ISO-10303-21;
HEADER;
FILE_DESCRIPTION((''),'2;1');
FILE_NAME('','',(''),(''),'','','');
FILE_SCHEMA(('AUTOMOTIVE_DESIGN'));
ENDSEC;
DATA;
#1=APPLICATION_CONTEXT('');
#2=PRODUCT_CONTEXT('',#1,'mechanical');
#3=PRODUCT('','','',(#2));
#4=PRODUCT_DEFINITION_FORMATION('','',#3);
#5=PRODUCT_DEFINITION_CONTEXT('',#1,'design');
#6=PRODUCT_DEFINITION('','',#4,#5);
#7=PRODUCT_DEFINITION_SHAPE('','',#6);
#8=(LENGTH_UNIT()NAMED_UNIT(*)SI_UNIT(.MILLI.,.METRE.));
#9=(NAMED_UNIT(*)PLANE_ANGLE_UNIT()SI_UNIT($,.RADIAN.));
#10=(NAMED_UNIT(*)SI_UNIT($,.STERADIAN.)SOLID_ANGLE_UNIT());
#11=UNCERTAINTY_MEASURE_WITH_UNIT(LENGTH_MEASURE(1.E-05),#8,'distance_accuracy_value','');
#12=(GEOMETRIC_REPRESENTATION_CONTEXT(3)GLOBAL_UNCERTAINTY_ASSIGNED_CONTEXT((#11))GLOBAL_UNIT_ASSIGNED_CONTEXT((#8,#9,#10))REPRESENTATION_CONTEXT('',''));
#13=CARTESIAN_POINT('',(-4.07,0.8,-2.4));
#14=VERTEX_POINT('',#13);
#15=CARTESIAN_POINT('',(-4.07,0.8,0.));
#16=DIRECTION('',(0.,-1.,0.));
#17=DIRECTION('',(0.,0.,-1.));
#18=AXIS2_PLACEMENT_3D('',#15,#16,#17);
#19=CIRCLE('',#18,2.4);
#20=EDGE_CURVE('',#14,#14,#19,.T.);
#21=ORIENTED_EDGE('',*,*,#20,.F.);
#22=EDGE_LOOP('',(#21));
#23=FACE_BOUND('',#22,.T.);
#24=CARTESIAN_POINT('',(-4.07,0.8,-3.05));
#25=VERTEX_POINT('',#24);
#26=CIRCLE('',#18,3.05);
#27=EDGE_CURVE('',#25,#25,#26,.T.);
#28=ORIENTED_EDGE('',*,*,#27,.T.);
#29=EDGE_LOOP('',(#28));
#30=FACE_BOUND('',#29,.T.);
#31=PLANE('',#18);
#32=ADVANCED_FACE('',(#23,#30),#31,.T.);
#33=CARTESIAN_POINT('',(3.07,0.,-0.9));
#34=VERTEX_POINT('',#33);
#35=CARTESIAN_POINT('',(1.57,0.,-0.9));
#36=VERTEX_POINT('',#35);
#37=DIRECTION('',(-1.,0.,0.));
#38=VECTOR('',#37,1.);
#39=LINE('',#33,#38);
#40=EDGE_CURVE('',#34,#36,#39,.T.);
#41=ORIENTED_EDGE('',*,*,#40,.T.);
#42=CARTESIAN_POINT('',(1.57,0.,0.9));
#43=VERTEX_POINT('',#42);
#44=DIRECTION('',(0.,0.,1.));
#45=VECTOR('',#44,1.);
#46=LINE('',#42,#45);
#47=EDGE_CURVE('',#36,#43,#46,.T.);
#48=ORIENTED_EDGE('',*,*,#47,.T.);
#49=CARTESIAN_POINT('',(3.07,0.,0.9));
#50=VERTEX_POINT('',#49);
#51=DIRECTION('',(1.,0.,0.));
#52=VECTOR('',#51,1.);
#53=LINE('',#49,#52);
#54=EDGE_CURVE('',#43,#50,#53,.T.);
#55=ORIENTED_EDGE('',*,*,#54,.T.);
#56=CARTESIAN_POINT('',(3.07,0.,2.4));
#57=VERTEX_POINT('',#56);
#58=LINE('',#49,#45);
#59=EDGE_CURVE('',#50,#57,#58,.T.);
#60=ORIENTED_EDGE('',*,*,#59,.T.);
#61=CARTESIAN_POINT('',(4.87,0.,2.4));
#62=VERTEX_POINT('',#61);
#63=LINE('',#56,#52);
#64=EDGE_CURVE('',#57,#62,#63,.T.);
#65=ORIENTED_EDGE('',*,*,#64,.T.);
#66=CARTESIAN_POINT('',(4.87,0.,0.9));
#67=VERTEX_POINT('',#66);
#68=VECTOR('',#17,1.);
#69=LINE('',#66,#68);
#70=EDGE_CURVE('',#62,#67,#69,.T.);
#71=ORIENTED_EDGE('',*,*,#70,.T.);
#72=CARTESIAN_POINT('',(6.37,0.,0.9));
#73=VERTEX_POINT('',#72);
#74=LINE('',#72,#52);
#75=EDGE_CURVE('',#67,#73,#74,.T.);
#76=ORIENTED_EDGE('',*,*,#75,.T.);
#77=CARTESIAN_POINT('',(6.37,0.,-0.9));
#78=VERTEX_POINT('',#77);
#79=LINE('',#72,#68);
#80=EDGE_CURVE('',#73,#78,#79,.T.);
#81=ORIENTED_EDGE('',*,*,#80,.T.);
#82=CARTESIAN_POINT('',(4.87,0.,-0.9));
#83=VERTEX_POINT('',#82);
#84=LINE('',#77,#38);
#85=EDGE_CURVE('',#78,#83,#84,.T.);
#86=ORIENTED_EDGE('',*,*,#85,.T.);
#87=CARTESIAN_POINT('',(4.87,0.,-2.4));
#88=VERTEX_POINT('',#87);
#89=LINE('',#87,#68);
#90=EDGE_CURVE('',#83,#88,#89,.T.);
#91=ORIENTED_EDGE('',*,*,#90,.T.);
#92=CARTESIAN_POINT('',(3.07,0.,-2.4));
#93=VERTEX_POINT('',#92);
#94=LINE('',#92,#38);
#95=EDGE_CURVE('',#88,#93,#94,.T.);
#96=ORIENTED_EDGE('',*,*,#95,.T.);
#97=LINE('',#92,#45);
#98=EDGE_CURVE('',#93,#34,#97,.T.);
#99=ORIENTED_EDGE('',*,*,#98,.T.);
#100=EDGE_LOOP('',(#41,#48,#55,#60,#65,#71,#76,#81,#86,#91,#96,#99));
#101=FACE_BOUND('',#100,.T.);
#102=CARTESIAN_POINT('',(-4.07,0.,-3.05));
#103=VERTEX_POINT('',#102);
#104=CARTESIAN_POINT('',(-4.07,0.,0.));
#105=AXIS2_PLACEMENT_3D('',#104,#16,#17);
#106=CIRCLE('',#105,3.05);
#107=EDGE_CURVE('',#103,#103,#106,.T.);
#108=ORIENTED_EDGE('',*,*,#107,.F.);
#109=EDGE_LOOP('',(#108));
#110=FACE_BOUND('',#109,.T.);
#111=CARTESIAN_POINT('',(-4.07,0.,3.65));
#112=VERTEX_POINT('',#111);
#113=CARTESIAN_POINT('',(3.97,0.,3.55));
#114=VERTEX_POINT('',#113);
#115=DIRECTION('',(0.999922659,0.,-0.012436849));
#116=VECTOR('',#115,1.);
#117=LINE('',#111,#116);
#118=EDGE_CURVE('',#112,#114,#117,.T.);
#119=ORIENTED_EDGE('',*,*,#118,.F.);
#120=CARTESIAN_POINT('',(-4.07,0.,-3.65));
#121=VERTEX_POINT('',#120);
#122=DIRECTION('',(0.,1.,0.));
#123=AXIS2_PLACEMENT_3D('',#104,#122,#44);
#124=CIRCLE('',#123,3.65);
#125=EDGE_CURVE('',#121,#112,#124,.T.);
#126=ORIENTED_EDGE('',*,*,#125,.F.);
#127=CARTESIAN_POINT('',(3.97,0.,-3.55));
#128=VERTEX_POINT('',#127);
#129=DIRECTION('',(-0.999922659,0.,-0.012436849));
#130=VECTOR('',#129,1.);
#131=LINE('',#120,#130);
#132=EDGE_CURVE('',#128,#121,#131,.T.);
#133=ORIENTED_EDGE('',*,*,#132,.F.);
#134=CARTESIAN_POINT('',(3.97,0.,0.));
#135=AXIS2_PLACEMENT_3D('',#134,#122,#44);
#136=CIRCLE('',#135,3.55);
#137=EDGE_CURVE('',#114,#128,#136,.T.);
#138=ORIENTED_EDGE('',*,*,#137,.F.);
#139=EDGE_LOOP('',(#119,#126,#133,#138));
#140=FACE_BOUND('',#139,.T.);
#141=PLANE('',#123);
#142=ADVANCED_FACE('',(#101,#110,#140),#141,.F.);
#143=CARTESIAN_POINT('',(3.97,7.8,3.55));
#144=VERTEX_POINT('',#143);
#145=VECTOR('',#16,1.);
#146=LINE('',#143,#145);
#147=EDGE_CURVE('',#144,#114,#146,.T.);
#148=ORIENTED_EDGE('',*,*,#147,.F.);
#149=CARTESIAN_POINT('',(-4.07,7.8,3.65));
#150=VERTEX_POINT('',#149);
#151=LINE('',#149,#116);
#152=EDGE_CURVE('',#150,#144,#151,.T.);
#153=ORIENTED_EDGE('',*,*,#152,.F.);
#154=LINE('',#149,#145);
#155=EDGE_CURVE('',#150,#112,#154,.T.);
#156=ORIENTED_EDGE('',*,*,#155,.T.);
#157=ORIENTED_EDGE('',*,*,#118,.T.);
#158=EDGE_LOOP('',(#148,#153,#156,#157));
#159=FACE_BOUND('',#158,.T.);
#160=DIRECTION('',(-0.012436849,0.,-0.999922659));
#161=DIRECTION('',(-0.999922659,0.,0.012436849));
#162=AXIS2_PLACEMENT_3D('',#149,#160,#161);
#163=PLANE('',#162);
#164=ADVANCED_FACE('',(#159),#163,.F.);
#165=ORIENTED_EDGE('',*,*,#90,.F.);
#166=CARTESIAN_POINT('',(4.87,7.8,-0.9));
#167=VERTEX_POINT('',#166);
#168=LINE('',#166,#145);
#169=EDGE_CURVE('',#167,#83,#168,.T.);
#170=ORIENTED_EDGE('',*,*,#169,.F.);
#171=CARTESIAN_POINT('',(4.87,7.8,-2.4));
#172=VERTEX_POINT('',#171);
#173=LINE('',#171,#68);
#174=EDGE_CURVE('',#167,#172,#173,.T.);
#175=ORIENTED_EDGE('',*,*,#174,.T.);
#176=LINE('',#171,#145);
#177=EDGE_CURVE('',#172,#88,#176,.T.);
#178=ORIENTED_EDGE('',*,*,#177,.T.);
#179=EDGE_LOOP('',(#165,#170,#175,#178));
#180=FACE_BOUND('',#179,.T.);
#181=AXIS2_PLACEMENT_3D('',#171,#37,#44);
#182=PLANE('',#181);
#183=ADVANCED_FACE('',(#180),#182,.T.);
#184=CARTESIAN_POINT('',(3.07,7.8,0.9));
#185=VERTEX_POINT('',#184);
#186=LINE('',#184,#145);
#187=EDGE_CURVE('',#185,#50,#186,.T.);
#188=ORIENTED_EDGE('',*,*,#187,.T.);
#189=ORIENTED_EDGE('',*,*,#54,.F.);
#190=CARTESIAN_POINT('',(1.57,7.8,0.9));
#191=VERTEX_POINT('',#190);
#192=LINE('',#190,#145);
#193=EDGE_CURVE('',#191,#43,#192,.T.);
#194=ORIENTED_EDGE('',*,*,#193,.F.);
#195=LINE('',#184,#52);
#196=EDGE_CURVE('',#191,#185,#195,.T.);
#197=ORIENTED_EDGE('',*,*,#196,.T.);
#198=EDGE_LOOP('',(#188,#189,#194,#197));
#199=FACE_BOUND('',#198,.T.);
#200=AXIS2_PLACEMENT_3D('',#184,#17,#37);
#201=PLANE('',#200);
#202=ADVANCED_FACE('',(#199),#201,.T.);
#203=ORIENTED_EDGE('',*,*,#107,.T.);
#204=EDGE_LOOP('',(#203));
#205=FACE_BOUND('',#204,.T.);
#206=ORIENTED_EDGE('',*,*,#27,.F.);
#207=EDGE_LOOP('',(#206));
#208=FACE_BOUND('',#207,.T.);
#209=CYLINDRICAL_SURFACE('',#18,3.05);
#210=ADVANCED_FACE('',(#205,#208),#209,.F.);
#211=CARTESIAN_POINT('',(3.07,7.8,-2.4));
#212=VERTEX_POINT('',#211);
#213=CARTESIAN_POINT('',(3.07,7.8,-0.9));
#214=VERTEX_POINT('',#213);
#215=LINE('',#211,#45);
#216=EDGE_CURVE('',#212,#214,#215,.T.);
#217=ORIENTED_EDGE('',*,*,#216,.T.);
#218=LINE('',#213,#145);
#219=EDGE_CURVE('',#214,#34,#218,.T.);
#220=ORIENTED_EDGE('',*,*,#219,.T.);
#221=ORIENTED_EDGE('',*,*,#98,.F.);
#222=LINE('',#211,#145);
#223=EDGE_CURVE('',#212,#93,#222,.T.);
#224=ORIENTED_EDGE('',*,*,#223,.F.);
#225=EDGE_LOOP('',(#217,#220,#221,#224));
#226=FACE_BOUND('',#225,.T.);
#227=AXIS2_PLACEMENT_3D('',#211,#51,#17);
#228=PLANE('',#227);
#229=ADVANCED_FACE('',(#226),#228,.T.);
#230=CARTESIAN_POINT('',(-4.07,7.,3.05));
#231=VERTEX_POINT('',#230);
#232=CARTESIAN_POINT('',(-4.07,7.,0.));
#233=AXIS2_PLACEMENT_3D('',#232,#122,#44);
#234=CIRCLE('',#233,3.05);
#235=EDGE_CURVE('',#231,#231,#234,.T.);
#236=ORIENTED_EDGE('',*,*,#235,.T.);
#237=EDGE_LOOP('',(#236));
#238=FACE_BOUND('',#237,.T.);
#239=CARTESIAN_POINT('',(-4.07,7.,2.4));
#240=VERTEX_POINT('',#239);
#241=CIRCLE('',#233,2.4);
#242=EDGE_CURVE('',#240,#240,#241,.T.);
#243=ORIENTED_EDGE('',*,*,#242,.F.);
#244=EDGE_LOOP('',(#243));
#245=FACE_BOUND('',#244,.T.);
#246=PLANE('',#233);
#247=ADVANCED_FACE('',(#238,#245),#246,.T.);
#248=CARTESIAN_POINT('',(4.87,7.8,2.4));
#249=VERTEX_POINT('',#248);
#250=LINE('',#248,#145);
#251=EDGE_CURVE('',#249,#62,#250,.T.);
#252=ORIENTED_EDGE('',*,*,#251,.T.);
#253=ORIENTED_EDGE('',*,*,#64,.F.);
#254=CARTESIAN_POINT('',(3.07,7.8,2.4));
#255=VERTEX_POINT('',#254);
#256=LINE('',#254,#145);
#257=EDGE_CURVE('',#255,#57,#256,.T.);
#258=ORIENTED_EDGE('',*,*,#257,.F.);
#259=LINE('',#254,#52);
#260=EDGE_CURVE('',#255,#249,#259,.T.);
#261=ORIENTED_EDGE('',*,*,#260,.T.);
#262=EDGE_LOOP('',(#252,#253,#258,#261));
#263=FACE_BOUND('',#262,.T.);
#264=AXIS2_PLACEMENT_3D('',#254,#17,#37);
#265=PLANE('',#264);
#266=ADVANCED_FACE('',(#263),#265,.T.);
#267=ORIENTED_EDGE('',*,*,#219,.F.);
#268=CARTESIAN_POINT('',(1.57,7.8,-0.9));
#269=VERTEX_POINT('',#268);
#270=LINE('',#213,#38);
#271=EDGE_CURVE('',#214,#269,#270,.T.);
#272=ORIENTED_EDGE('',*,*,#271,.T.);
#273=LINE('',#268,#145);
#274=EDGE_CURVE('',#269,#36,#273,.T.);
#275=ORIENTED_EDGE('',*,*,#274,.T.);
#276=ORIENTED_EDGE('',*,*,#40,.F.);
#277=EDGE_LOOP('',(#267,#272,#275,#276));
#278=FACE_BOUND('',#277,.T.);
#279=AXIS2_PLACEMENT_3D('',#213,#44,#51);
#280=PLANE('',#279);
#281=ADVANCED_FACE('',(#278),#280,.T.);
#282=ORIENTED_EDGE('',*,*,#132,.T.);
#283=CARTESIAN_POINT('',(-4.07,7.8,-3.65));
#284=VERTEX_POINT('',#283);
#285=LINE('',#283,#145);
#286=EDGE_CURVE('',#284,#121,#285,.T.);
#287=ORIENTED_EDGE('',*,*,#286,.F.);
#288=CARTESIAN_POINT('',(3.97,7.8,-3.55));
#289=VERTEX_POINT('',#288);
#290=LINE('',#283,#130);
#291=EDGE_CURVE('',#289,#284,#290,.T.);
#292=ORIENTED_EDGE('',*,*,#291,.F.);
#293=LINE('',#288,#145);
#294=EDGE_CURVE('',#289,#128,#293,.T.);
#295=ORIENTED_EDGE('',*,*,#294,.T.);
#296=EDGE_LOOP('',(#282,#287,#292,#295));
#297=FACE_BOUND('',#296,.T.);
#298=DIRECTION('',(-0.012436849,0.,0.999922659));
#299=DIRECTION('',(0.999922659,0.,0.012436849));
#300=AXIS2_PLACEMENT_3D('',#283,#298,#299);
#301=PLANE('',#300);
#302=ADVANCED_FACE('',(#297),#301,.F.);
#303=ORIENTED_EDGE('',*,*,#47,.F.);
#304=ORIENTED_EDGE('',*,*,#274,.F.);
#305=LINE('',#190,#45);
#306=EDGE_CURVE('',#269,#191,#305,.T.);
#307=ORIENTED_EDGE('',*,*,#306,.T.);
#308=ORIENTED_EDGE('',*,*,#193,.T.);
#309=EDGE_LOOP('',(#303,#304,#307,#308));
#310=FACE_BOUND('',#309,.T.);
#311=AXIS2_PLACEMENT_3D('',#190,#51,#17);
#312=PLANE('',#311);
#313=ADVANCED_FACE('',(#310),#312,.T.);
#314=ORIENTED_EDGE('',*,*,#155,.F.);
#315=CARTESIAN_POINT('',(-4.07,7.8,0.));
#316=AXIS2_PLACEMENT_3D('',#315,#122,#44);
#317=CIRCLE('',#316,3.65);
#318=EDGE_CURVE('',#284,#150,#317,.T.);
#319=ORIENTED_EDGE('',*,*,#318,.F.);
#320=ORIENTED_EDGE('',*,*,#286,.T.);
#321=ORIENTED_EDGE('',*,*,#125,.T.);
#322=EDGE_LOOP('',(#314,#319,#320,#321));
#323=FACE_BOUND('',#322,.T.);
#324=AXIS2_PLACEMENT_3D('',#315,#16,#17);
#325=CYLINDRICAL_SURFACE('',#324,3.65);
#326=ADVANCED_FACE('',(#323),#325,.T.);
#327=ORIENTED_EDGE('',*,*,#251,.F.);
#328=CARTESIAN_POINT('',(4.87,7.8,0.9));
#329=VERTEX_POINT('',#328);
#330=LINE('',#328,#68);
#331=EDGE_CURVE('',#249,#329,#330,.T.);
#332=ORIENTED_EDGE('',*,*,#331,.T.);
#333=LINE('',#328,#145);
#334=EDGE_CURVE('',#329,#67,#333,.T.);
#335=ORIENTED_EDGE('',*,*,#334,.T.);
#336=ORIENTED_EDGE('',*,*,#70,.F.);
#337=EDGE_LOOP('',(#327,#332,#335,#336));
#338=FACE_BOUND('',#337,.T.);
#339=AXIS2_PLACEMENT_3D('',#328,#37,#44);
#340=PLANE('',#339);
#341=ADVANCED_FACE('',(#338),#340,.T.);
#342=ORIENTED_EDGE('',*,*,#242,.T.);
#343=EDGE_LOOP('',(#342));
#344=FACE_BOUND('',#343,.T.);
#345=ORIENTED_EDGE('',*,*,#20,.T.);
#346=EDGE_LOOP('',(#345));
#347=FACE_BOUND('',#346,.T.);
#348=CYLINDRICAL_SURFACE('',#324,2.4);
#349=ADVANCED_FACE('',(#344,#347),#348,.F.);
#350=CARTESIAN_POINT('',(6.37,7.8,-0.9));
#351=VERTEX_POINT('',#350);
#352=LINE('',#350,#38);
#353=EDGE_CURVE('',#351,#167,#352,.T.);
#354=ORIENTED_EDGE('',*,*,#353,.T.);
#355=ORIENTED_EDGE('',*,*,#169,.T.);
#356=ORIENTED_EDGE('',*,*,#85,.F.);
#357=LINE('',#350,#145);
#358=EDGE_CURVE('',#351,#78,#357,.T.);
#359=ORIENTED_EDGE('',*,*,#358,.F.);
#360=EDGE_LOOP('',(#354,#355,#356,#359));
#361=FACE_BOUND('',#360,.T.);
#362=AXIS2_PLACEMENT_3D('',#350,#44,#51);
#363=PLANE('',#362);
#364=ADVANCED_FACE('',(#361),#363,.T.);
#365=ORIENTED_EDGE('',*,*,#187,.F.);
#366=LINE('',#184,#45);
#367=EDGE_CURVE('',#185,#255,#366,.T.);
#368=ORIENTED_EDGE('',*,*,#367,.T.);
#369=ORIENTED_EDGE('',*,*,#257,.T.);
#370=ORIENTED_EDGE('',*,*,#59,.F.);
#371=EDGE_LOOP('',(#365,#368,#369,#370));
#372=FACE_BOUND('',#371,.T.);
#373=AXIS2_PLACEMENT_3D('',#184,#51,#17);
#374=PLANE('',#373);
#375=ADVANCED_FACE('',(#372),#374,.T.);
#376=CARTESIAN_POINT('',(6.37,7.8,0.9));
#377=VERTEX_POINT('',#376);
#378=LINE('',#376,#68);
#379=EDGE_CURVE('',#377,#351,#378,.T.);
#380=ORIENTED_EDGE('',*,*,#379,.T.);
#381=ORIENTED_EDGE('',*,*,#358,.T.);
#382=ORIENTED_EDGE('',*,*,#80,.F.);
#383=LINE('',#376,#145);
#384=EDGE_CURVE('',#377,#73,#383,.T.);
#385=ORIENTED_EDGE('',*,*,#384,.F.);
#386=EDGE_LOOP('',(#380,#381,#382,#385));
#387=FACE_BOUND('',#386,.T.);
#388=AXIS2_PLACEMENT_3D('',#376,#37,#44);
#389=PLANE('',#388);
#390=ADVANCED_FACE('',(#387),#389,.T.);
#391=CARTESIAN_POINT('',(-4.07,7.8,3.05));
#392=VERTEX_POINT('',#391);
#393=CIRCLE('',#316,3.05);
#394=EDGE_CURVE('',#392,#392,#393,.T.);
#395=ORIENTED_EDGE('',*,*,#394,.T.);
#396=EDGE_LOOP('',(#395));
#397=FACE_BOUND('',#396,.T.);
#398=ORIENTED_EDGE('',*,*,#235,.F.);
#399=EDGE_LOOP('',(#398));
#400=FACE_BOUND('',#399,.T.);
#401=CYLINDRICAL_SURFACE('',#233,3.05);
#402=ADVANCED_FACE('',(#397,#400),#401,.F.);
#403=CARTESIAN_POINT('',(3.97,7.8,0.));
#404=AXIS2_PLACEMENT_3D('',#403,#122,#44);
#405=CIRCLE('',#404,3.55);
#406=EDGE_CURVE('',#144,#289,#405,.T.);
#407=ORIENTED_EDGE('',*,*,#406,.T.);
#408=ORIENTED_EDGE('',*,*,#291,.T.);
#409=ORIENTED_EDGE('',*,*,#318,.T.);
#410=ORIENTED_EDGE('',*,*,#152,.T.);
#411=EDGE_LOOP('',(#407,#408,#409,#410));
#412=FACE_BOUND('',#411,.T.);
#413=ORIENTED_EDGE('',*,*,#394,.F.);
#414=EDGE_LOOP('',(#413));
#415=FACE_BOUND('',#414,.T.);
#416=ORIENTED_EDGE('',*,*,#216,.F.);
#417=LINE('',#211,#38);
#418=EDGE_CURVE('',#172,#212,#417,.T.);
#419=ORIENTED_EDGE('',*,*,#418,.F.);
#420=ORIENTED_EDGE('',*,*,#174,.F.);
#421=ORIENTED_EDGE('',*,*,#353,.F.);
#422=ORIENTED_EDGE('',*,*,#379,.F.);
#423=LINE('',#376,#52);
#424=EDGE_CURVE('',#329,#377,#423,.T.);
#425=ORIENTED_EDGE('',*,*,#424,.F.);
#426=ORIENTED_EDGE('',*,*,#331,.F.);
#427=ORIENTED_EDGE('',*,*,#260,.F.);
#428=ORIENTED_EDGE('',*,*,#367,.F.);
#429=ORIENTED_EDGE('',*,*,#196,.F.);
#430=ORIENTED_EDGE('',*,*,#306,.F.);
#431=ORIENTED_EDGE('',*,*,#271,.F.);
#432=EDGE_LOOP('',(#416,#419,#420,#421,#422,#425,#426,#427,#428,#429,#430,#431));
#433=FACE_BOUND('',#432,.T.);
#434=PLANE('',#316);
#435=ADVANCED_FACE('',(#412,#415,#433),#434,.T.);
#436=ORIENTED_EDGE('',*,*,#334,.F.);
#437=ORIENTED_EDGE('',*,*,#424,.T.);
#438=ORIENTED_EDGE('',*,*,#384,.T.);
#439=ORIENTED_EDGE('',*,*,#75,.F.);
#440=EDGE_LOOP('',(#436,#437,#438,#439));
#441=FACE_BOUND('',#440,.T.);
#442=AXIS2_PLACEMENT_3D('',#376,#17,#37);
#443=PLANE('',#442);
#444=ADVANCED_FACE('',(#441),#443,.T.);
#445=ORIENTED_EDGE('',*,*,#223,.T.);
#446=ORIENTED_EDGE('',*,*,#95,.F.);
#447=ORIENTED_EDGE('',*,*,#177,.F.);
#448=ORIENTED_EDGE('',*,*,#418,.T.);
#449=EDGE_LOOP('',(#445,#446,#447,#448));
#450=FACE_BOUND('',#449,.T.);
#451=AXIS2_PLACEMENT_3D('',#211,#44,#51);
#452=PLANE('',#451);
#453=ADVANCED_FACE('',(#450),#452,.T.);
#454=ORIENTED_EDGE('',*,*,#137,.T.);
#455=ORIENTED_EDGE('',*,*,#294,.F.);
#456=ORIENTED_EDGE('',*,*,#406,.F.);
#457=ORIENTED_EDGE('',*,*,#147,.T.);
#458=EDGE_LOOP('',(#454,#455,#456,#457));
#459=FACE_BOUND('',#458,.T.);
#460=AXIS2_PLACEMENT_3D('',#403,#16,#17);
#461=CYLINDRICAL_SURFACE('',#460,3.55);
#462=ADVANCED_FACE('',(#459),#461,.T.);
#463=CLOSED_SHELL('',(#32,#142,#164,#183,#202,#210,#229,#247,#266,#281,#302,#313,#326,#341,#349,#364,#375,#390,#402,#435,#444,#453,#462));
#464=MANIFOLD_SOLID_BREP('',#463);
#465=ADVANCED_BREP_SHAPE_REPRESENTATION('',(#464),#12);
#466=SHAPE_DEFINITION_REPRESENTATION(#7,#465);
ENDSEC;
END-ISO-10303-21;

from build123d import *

# Parameters (mm, degrees)
SKETCH1_R           = 2.4
BOSS_EXTRUDE1_DEPTH = 7.8
SKETCH2_R           = 3.05
CUT_EXTRUDE1_DEPTH  = 0.8
SKETCH3_R           = 3.05
CUT_EXTRUDE2_DEPTH  = 0.8


with BuildPart() as part:
    # Sketch1 → Boss-Extrude1 (new body)
    with BuildSketch(Plane(origin=(0, 0, 0), x_dir=(1, 0, 0), z_dir=(0, 1, 0))):
        with BuildLine():
            Line((-4.07, 3.65), (3.97, 3.55))
            ThreePointArc((3.97, 3.55), (7.52, 0), (3.97, -3.55))
            Line((3.97, -3.55), (-4.07, -3.65))
            ThreePointArc((-4.07, -3.65), (-7.72, 0), (-4.07, 3.65))
        make_face()
        with Locations((-4.07, 0)):
            Circle(SKETCH1_R, mode=Mode.SUBTRACT)
        Polygon((3.07, 2.4), (3.07, 0.9), (1.57, 0.9), (1.57, -0.9), (3.07, -0.9), (3.07, -2.4), (4.87, -2.4), (4.87, -0.9), (6.37, -0.9), (6.37, 0.9), (4.87, 0.9), (4.87, 2.4), align=None, mode=Mode.SUBTRACT)
    extrude(amount=BOSS_EXTRUDE1_DEPTH)

    # Sketch2 → Cut-Extrude1 (cut)
    with BuildSketch(Plane(origin=(0, 7.8, 0), x_dir=(1, 0, 0), z_dir=(0, 1, 0))):
        with Locations((-4.07, 0)):
            Circle(SKETCH2_R)
    extrude(amount=-CUT_EXTRUDE1_DEPTH, mode=Mode.SUBTRACT)

    # Sketch3 → Cut-Extrude2 (cut)
    with BuildSketch(Plane.XZ):
        with Locations((-4.07, 0)):
            Circle(SKETCH3_R)
    extrude(amount=-CUT_EXTRUDE2_DEPTH, mode=Mode.SUBTRACT)


solid = part.part
